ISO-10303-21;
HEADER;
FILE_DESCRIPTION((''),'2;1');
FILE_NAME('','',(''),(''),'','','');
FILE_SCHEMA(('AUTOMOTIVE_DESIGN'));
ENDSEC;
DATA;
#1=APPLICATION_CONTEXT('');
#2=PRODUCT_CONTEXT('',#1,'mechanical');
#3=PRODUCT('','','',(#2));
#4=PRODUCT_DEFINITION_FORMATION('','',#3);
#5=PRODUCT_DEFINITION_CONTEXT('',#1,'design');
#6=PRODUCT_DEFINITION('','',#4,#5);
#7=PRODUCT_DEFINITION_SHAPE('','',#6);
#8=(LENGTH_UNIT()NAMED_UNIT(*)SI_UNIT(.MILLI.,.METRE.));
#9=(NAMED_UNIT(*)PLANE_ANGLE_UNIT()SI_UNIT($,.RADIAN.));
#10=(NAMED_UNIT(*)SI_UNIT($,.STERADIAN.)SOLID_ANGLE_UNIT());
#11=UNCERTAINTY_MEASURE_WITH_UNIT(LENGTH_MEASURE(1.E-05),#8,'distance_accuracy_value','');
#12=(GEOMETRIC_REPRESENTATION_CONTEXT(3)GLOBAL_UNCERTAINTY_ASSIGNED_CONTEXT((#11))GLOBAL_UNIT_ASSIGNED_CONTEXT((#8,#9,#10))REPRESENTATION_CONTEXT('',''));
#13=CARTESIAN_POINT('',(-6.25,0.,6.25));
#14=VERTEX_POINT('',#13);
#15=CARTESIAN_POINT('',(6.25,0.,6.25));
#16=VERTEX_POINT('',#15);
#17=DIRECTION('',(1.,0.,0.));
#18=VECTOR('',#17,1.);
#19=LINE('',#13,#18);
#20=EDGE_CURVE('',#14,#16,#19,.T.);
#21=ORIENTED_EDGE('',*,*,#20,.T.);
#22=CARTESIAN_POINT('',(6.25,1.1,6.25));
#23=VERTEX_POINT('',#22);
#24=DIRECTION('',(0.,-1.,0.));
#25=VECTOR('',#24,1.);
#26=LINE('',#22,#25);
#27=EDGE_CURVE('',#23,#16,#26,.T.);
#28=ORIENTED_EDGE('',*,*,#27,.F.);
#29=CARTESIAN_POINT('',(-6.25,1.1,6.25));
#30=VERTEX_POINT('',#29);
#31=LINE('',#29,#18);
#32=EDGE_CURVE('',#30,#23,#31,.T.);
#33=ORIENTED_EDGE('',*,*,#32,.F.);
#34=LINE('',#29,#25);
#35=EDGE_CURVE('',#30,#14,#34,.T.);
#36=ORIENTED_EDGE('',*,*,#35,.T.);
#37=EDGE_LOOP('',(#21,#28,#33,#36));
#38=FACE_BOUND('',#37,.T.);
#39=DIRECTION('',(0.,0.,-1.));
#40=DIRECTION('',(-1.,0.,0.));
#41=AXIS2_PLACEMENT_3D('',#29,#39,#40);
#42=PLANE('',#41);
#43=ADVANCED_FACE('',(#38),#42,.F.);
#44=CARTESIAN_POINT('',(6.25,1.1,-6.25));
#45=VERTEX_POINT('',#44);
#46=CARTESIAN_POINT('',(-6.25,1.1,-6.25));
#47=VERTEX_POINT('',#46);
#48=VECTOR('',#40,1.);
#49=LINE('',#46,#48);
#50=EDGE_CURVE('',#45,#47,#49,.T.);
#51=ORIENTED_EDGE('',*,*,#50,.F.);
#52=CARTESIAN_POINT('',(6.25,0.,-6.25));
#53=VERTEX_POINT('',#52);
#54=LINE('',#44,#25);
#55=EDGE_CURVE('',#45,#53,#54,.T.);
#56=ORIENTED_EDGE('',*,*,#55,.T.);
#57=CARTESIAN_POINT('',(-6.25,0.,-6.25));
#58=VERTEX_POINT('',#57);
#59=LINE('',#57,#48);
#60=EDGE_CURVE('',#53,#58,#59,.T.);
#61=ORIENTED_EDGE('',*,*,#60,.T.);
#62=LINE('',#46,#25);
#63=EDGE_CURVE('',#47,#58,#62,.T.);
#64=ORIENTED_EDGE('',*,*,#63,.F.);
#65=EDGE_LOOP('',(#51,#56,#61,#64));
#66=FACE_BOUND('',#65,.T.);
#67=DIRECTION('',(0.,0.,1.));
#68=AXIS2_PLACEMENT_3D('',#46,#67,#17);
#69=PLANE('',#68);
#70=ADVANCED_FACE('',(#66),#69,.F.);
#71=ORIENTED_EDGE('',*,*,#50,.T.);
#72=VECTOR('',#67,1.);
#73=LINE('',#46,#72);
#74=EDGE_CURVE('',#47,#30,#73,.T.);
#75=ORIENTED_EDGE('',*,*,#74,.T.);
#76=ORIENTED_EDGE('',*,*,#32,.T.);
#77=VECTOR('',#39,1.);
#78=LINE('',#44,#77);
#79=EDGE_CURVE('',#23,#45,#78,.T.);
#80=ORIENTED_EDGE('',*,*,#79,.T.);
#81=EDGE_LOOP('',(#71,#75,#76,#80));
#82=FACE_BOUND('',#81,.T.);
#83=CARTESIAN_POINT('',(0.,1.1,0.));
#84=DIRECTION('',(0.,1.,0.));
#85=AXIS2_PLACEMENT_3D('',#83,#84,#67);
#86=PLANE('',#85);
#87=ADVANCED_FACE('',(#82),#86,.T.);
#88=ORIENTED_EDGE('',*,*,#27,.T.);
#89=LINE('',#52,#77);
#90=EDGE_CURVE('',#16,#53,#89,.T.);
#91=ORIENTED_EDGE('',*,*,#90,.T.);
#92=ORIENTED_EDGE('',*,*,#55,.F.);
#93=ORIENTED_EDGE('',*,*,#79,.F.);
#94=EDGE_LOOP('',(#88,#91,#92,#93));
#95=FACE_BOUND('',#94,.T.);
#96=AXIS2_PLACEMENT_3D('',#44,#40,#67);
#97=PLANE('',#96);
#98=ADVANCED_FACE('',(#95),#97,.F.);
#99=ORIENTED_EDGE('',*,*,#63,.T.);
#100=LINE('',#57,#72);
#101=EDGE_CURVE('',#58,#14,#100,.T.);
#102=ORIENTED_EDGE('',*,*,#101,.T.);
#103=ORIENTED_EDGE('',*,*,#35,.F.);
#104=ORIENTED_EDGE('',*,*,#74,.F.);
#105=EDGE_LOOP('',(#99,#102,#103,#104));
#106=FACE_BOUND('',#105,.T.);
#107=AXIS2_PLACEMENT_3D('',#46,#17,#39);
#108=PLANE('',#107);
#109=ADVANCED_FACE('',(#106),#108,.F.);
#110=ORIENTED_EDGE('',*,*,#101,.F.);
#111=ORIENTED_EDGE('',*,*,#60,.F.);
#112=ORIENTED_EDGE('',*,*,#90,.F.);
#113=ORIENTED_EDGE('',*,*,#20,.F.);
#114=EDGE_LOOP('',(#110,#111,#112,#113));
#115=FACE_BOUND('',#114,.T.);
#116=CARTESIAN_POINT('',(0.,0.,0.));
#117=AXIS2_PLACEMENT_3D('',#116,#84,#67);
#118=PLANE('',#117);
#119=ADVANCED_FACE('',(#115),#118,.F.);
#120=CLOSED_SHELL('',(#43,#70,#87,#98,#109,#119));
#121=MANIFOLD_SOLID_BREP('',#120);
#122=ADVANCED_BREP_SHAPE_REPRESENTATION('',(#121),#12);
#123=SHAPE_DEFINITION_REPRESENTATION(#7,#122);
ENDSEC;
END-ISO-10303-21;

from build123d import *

# Parameters (mm, degrees)
SKETCH_1_W      = 12.5
SKETCH_1_H      = 12.5
EXTRUDE_1_DEPTH = 1.1


with BuildPart() as part:
    # 草图1 → 凸台-拉伸1 (new body)
    with BuildSketch(Plane(origin=(0, 0, 0), x_dir=(1, 0, 0), z_dir=(0, 1, 0))):
        Rectangle(SKETCH_1_W, SKETCH_1_H)
    extrude(amount=EXTRUDE_1_DEPTH)


solid = part.part
